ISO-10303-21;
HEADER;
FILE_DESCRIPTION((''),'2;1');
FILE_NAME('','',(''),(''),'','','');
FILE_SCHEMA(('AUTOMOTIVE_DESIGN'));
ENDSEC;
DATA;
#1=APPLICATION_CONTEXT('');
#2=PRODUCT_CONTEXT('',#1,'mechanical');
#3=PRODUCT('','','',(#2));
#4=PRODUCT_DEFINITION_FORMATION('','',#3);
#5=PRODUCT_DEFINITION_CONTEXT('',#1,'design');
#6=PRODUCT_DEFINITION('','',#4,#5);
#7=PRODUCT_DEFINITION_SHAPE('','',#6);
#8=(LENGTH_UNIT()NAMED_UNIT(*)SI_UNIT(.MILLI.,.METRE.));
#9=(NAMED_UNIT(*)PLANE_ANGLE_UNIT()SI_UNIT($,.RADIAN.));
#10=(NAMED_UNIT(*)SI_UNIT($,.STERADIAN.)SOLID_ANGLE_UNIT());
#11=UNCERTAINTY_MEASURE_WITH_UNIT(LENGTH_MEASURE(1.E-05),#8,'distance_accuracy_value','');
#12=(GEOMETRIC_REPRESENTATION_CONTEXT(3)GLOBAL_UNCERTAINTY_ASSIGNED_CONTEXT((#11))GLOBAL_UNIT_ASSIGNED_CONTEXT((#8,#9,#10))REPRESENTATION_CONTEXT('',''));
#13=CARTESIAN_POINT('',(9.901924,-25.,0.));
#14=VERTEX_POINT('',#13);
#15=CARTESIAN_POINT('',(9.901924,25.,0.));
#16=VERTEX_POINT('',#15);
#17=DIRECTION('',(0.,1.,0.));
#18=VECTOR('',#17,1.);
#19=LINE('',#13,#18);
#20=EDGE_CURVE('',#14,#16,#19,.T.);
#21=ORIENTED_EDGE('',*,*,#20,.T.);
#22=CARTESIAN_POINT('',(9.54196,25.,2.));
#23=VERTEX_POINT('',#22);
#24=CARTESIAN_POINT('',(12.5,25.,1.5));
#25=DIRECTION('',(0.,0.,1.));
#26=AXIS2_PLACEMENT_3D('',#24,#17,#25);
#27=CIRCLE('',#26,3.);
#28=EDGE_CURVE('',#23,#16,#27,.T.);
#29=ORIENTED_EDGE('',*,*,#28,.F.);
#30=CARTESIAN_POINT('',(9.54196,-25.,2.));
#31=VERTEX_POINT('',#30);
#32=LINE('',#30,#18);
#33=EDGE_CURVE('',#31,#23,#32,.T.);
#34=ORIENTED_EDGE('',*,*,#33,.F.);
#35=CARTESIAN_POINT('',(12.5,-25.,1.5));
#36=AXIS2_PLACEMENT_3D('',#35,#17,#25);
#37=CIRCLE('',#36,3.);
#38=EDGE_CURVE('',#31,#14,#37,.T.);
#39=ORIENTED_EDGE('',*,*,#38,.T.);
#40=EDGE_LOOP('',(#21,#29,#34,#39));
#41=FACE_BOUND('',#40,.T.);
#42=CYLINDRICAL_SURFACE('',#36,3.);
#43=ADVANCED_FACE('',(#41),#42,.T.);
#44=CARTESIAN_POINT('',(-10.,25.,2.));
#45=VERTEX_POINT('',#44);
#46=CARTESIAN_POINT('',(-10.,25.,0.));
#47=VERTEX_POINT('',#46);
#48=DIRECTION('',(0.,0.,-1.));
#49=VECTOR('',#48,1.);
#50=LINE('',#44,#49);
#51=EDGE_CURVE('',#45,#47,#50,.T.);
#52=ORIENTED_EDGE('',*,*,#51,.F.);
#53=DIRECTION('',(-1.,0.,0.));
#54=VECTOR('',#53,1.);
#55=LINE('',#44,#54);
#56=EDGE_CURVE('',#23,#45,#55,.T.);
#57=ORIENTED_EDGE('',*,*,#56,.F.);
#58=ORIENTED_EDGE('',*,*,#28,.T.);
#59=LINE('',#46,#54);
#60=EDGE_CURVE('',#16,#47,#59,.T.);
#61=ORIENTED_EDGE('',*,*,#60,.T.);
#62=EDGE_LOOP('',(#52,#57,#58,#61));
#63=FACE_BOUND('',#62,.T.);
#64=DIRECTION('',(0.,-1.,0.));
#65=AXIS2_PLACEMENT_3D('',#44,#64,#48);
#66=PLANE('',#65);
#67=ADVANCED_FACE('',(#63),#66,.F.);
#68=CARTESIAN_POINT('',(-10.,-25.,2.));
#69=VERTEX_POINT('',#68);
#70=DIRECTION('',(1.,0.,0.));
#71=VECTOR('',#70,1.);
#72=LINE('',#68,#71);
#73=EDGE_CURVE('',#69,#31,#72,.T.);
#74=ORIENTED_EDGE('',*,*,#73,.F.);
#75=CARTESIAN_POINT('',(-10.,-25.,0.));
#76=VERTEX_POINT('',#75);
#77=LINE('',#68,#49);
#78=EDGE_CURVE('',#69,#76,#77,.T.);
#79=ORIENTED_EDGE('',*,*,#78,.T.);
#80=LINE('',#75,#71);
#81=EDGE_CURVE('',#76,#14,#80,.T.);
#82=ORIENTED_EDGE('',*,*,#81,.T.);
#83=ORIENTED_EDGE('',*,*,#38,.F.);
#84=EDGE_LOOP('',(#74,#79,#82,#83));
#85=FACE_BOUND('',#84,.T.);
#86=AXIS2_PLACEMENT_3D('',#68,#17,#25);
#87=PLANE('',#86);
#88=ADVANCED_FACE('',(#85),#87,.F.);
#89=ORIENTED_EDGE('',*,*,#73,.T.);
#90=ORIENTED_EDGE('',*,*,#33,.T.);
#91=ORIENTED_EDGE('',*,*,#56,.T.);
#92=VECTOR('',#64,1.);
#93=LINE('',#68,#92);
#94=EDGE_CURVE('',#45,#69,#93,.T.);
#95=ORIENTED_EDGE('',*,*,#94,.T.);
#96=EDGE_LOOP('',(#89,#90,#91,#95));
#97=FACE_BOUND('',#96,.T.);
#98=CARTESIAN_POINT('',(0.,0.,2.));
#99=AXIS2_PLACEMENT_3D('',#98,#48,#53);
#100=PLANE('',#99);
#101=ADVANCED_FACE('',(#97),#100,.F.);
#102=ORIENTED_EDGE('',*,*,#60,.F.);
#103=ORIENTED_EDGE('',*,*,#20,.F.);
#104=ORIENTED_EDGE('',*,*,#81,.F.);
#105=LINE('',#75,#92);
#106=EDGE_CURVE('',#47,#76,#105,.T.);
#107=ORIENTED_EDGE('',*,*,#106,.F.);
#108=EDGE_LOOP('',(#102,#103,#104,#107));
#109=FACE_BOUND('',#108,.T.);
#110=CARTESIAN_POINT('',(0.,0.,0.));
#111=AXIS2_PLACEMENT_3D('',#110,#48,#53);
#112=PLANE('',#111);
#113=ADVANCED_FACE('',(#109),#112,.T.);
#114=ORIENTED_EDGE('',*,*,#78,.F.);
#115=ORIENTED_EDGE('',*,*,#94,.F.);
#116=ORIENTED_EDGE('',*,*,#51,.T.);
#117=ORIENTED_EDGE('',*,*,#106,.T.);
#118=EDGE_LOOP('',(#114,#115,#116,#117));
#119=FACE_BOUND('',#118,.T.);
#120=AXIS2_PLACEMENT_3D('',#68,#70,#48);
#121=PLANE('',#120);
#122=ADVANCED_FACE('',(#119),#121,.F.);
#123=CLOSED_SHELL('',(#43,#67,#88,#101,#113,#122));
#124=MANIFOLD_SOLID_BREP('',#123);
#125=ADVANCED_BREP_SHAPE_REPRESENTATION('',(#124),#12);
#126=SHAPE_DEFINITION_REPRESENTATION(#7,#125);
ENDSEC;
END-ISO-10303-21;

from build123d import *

# Parameters (mm, degrees)
SKETCH1_W           = 20
SKETCH1_H           = 50
BOSS_EXTRUDE1_DEPTH = 2
SKETCH2_R           = 3
BOSS_EXTRUDE2_DEPTH = 50


with BuildPart() as part:
    # Sketch1 → Boss-Extrude1 (new body)
    with BuildSketch(Plane.XY):
        Rectangle(SKETCH1_W, SKETCH1_H)
    extrude(amount=BOSS_EXTRUDE1_DEPTH)

    # Sketch2 → Boss-Extrude2 (add)
    with BuildSketch(Plane(origin=(0, 25, 0), x_dir=(1, 0, 0), z_dir=(0, 1, 0))):
        with Locations((12.5, -1.5)):
            Circle(SKETCH2_R)
    extrude(amount=-BOSS_EXTRUDE2_DEPTH)


solid = part.part
